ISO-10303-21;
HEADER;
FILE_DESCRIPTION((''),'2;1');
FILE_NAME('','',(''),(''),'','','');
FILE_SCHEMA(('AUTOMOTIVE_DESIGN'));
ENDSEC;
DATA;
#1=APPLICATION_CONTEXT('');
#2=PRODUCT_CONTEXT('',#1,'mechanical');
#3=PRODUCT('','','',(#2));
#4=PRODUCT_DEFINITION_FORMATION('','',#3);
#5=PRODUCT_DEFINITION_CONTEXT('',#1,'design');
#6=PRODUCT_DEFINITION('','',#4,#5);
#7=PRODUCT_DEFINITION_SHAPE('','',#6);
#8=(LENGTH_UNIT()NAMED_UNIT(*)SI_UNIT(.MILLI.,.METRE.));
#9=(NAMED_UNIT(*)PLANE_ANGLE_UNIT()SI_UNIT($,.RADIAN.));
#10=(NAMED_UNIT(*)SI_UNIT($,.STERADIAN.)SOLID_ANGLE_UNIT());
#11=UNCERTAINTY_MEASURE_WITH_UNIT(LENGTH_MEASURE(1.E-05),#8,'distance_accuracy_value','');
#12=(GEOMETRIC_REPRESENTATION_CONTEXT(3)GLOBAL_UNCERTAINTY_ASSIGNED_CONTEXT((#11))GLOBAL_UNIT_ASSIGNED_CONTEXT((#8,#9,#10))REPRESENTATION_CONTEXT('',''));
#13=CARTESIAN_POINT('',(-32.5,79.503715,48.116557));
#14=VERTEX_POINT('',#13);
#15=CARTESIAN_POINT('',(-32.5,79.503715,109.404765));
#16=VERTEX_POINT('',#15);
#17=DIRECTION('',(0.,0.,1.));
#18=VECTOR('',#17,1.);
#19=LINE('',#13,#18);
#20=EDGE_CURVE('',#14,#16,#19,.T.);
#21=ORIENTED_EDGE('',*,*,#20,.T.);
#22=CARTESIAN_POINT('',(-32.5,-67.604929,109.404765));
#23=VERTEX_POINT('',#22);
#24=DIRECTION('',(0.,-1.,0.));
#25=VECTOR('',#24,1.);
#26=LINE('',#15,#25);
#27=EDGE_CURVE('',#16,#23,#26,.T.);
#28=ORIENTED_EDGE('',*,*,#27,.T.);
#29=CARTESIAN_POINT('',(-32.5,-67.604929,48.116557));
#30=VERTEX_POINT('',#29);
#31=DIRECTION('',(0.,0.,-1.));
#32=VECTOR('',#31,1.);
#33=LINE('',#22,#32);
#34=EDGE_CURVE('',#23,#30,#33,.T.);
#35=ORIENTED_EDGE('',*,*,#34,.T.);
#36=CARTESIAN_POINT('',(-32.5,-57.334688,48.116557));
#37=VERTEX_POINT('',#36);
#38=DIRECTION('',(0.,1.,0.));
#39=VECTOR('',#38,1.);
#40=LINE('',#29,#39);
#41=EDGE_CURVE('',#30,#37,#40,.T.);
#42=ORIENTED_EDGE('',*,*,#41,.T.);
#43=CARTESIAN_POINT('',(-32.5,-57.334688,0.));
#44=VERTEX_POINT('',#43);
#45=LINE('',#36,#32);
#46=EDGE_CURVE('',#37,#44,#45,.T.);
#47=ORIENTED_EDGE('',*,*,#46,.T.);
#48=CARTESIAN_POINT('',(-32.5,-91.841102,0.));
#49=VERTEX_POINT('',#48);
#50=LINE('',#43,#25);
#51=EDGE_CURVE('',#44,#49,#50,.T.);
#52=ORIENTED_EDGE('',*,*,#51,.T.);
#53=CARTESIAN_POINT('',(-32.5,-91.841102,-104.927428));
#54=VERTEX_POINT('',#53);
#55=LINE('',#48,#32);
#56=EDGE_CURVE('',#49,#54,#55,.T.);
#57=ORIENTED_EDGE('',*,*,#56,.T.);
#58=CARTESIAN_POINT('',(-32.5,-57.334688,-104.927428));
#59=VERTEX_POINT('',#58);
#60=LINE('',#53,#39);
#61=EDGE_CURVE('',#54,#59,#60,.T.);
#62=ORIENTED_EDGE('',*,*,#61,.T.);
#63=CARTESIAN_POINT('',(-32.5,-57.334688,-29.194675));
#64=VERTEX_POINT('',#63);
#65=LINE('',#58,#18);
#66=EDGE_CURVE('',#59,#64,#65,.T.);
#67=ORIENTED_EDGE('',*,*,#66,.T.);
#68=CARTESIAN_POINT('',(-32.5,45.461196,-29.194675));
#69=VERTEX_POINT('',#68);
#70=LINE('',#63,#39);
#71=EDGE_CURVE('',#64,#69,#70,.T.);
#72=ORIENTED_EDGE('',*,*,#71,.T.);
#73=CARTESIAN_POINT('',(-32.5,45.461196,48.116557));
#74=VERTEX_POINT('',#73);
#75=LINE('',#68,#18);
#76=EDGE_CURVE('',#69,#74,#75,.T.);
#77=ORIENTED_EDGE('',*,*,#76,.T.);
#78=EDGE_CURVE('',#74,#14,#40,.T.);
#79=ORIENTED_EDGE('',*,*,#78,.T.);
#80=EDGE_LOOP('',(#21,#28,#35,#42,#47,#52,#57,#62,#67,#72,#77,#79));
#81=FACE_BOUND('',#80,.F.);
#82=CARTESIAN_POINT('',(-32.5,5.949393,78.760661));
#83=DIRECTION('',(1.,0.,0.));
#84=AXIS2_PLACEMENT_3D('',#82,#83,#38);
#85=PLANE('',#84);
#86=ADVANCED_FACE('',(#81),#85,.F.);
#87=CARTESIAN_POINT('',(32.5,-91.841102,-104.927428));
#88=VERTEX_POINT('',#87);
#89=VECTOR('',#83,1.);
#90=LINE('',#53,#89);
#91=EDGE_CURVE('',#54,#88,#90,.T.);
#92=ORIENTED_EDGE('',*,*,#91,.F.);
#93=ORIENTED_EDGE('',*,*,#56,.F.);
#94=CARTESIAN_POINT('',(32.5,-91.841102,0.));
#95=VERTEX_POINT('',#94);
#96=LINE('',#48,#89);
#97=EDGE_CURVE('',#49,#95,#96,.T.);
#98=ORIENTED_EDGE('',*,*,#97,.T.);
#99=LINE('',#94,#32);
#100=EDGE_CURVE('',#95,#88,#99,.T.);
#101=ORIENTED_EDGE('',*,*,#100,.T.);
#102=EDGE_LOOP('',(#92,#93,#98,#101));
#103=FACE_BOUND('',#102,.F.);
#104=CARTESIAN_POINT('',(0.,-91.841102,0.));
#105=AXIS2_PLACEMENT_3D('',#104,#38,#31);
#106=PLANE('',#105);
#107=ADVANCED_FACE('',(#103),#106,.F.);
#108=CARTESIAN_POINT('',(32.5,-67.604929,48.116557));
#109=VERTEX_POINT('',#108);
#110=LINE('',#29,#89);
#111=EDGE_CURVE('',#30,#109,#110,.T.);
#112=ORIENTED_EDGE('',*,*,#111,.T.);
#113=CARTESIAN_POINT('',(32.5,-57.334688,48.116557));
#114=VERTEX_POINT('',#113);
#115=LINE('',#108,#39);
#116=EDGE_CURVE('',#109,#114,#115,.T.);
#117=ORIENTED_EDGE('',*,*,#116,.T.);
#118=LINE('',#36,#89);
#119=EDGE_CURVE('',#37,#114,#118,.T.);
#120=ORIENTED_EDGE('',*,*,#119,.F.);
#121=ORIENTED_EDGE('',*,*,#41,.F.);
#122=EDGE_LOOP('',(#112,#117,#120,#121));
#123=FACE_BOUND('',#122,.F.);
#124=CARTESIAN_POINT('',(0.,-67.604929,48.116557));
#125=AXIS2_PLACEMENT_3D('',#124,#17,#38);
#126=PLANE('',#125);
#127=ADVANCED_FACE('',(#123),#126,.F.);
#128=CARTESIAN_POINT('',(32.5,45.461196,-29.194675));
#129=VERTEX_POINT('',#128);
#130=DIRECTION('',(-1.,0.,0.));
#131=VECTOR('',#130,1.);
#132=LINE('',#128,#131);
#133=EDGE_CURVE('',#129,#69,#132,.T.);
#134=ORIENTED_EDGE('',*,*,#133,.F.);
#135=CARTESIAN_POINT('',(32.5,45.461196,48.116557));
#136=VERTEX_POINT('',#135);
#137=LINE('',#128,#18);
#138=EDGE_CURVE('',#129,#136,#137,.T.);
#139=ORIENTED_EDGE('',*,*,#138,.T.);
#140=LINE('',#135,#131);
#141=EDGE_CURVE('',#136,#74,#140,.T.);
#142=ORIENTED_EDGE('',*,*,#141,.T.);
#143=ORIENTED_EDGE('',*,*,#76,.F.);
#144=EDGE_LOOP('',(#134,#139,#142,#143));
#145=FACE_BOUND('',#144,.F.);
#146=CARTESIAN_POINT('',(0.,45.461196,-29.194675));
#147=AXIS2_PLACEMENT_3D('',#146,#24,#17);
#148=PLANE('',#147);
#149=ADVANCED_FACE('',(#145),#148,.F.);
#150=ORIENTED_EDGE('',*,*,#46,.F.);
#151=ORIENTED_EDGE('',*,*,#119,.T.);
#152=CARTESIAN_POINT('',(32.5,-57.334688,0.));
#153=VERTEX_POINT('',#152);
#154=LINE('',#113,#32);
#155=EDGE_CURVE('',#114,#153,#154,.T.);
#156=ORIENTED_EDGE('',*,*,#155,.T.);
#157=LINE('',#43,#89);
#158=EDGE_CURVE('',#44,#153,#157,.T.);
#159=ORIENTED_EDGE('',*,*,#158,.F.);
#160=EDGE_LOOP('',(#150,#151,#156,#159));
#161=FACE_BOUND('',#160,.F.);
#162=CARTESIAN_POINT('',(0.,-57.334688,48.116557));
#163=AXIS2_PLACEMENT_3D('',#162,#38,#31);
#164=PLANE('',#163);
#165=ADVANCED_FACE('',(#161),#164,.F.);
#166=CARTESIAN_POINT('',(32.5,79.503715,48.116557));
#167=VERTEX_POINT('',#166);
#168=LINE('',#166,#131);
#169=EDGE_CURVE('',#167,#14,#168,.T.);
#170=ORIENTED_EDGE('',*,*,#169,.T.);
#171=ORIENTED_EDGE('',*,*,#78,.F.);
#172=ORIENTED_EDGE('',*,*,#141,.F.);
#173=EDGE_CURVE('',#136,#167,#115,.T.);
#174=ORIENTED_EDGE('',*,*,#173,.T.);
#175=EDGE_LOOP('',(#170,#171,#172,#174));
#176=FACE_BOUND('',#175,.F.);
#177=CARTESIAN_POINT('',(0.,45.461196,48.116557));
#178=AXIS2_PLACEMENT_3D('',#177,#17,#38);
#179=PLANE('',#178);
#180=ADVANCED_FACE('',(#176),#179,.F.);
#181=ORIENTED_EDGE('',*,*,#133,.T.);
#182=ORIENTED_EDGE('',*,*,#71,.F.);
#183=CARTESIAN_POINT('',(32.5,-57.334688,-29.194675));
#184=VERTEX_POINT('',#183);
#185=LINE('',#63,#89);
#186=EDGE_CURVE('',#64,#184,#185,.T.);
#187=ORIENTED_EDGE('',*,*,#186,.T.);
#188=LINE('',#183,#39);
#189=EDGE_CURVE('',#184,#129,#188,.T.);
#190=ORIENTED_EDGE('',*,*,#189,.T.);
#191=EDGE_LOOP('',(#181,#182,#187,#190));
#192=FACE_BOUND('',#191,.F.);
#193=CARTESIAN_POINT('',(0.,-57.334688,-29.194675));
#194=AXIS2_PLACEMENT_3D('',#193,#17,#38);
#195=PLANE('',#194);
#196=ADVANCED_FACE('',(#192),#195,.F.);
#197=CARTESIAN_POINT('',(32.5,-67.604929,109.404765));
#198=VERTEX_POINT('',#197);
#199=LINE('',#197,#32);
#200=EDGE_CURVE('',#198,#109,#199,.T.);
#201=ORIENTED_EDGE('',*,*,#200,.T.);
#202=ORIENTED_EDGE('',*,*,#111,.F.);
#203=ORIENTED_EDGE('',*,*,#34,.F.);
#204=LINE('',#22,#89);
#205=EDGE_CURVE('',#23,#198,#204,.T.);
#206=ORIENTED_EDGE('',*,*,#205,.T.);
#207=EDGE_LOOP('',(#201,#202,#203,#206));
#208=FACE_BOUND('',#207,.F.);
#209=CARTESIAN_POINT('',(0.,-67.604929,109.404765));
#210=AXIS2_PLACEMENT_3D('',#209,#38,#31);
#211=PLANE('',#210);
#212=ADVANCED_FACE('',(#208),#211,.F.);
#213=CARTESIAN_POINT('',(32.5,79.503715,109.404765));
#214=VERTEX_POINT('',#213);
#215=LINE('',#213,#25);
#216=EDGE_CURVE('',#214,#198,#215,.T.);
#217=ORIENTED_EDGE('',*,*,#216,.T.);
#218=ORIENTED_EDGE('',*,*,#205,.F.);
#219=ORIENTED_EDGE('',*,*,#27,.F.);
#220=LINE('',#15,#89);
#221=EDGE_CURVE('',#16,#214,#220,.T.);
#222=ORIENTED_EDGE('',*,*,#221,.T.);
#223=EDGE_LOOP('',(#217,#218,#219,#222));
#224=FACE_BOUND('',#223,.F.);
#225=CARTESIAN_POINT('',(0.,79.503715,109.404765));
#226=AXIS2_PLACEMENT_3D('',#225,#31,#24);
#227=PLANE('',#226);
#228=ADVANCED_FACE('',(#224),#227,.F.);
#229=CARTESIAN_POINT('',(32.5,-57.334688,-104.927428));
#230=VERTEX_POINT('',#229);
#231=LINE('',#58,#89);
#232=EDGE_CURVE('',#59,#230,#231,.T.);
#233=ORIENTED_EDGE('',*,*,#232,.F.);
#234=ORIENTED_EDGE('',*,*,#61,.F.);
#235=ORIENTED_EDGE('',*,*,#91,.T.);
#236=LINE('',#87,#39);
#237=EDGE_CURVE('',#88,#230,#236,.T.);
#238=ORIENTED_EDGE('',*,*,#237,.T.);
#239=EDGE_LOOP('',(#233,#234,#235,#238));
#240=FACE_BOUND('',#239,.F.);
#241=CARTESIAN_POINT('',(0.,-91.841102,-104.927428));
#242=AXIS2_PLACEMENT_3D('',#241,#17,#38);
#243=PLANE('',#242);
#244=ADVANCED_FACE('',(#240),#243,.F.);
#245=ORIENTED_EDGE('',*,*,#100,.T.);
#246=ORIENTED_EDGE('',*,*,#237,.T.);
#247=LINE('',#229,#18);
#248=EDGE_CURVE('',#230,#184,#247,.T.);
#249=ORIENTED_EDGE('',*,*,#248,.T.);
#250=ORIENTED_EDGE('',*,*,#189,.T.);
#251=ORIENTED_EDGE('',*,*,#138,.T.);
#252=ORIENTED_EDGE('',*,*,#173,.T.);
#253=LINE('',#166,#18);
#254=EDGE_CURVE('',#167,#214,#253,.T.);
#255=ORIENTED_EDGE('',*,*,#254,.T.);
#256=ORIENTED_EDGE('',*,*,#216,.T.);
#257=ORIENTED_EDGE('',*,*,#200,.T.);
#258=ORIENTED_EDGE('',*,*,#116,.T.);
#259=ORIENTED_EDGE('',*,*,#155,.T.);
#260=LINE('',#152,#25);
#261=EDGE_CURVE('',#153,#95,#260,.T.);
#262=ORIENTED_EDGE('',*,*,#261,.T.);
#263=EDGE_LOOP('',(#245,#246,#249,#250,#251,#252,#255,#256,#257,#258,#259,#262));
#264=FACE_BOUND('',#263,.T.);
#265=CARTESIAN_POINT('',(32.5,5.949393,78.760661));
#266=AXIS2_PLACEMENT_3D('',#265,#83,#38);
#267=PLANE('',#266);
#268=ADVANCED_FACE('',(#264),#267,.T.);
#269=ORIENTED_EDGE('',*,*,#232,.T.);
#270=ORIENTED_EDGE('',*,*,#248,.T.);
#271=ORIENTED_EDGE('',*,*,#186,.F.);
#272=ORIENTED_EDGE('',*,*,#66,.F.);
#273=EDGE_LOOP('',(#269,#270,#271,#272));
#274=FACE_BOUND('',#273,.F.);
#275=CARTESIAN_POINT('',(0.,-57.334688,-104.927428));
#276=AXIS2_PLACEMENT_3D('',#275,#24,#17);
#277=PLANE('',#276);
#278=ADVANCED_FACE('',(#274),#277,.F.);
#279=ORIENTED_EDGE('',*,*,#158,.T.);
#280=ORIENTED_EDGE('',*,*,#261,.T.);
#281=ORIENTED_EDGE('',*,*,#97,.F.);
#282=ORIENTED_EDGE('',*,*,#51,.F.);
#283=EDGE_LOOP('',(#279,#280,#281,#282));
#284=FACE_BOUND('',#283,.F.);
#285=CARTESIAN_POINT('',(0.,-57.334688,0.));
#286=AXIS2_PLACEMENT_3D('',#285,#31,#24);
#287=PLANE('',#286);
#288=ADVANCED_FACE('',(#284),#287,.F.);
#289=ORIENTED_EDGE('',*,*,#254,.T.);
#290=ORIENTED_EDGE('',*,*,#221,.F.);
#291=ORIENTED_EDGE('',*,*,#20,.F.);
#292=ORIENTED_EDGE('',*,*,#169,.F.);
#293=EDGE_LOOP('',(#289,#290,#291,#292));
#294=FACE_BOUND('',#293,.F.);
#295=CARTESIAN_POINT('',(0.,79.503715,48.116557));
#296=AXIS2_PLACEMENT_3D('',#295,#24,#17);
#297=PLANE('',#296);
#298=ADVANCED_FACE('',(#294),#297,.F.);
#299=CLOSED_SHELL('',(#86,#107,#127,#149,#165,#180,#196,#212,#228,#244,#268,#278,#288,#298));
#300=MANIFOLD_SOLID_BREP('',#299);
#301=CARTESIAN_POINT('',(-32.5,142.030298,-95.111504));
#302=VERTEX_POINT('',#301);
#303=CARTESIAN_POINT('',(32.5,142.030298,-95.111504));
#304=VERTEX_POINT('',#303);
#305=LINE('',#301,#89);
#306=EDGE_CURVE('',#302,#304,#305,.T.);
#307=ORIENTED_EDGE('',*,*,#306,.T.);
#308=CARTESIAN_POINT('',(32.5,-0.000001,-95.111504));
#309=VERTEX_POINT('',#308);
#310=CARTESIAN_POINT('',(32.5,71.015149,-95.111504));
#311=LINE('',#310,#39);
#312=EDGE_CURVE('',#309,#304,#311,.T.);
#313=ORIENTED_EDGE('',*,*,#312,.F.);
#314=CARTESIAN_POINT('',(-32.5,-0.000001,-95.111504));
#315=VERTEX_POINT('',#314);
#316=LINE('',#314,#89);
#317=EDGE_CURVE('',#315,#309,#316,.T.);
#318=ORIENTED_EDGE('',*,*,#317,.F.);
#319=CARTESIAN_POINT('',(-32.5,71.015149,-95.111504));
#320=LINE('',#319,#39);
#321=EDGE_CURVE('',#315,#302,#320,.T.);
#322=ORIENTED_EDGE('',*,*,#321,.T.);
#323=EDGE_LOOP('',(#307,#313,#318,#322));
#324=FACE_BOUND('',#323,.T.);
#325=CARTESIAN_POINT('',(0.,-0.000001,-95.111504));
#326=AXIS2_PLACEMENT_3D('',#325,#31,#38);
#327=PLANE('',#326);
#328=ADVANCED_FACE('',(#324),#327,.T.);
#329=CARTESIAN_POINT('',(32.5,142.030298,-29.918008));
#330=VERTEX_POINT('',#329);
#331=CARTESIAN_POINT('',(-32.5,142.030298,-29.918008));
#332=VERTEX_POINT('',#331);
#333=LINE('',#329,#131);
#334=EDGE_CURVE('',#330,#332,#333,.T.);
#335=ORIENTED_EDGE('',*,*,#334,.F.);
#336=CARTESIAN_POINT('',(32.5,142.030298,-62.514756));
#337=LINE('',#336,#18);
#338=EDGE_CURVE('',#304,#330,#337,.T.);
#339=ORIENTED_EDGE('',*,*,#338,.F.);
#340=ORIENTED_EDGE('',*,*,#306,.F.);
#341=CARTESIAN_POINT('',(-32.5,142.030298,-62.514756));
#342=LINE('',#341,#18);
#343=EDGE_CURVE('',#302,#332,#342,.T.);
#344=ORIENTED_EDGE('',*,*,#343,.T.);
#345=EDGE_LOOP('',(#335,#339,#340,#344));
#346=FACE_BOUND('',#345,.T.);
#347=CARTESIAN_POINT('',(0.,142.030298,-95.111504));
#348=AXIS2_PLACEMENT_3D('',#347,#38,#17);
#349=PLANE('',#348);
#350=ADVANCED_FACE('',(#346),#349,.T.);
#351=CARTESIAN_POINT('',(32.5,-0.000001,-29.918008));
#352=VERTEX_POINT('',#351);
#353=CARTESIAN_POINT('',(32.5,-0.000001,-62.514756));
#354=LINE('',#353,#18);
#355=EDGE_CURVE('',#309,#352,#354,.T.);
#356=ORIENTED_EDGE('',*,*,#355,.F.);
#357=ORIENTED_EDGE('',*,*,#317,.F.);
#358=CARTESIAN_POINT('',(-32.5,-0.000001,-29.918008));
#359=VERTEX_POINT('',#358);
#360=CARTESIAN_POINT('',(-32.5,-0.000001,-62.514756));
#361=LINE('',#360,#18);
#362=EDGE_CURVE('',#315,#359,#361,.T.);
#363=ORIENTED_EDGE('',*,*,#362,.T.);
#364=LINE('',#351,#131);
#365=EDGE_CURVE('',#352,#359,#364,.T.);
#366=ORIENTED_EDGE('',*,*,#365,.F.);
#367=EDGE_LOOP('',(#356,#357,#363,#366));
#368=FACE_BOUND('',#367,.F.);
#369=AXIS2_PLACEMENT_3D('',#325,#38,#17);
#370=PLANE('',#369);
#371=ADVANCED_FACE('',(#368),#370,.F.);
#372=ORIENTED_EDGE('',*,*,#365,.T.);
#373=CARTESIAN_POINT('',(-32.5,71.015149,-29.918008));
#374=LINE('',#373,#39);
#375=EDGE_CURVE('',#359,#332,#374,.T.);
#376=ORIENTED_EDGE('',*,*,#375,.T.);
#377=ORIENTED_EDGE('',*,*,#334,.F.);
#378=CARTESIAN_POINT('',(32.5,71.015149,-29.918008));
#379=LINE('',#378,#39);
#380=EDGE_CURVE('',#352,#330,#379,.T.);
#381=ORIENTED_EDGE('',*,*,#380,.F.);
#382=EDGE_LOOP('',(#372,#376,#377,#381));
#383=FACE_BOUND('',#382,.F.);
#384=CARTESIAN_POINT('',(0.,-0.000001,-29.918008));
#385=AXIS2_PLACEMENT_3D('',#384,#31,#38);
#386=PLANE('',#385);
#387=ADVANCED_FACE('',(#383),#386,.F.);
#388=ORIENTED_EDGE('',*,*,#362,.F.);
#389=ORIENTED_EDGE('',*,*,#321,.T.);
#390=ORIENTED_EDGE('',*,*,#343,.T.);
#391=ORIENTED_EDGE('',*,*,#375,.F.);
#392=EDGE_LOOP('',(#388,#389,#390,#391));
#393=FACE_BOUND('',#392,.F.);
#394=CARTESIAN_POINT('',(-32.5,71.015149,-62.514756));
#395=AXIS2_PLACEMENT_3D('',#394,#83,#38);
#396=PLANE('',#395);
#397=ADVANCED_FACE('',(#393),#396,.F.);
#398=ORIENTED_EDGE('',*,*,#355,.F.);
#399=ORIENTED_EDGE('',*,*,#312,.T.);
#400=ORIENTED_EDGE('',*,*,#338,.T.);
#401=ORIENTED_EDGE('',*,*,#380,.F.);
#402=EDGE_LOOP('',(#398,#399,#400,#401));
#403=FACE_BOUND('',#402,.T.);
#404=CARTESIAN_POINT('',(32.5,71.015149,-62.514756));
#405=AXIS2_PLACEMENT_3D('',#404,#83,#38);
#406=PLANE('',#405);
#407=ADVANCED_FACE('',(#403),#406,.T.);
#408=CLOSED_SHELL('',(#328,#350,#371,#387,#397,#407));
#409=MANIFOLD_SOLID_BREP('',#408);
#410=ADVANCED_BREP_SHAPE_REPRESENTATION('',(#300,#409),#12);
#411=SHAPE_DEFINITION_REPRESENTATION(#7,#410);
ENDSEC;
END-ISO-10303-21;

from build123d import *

# Parameters (mm, degrees)
F0_W     = 142.030299
F0_H     = 65.193496
F1_DEPTH = 32.5


with BuildPart() as f1:
    # F0 (on Right) → F1 (new body, symmetric)
    with BuildSketch(Plane.YZ):
        Polygon((-57.334688, 48.116557), (45.461196, 48.116557), (79.503715, 48.116557), (79.503715, 109.404765), (-67.604929, 109.404765), (-67.604929, 48.116557), align=None)
        with Locations((71.015149, -62.514756)):
            Rectangle(F0_W, F0_H)
        Polygon((-57.334688, -29.194675), (45.461196, -29.194675), (45.461196, 48.116557), (-57.334688, 48.116557), (-57.334688, 0), align=None)
        Polygon((-57.334688, -104.927428), (-57.334688, -29.194675), (-57.334688, 0), (-91.841102, 0), (-91.841102, -104.927428), align=None)
    extrude(amount=F1_DEPTH, both=True)


solid = f1.part
